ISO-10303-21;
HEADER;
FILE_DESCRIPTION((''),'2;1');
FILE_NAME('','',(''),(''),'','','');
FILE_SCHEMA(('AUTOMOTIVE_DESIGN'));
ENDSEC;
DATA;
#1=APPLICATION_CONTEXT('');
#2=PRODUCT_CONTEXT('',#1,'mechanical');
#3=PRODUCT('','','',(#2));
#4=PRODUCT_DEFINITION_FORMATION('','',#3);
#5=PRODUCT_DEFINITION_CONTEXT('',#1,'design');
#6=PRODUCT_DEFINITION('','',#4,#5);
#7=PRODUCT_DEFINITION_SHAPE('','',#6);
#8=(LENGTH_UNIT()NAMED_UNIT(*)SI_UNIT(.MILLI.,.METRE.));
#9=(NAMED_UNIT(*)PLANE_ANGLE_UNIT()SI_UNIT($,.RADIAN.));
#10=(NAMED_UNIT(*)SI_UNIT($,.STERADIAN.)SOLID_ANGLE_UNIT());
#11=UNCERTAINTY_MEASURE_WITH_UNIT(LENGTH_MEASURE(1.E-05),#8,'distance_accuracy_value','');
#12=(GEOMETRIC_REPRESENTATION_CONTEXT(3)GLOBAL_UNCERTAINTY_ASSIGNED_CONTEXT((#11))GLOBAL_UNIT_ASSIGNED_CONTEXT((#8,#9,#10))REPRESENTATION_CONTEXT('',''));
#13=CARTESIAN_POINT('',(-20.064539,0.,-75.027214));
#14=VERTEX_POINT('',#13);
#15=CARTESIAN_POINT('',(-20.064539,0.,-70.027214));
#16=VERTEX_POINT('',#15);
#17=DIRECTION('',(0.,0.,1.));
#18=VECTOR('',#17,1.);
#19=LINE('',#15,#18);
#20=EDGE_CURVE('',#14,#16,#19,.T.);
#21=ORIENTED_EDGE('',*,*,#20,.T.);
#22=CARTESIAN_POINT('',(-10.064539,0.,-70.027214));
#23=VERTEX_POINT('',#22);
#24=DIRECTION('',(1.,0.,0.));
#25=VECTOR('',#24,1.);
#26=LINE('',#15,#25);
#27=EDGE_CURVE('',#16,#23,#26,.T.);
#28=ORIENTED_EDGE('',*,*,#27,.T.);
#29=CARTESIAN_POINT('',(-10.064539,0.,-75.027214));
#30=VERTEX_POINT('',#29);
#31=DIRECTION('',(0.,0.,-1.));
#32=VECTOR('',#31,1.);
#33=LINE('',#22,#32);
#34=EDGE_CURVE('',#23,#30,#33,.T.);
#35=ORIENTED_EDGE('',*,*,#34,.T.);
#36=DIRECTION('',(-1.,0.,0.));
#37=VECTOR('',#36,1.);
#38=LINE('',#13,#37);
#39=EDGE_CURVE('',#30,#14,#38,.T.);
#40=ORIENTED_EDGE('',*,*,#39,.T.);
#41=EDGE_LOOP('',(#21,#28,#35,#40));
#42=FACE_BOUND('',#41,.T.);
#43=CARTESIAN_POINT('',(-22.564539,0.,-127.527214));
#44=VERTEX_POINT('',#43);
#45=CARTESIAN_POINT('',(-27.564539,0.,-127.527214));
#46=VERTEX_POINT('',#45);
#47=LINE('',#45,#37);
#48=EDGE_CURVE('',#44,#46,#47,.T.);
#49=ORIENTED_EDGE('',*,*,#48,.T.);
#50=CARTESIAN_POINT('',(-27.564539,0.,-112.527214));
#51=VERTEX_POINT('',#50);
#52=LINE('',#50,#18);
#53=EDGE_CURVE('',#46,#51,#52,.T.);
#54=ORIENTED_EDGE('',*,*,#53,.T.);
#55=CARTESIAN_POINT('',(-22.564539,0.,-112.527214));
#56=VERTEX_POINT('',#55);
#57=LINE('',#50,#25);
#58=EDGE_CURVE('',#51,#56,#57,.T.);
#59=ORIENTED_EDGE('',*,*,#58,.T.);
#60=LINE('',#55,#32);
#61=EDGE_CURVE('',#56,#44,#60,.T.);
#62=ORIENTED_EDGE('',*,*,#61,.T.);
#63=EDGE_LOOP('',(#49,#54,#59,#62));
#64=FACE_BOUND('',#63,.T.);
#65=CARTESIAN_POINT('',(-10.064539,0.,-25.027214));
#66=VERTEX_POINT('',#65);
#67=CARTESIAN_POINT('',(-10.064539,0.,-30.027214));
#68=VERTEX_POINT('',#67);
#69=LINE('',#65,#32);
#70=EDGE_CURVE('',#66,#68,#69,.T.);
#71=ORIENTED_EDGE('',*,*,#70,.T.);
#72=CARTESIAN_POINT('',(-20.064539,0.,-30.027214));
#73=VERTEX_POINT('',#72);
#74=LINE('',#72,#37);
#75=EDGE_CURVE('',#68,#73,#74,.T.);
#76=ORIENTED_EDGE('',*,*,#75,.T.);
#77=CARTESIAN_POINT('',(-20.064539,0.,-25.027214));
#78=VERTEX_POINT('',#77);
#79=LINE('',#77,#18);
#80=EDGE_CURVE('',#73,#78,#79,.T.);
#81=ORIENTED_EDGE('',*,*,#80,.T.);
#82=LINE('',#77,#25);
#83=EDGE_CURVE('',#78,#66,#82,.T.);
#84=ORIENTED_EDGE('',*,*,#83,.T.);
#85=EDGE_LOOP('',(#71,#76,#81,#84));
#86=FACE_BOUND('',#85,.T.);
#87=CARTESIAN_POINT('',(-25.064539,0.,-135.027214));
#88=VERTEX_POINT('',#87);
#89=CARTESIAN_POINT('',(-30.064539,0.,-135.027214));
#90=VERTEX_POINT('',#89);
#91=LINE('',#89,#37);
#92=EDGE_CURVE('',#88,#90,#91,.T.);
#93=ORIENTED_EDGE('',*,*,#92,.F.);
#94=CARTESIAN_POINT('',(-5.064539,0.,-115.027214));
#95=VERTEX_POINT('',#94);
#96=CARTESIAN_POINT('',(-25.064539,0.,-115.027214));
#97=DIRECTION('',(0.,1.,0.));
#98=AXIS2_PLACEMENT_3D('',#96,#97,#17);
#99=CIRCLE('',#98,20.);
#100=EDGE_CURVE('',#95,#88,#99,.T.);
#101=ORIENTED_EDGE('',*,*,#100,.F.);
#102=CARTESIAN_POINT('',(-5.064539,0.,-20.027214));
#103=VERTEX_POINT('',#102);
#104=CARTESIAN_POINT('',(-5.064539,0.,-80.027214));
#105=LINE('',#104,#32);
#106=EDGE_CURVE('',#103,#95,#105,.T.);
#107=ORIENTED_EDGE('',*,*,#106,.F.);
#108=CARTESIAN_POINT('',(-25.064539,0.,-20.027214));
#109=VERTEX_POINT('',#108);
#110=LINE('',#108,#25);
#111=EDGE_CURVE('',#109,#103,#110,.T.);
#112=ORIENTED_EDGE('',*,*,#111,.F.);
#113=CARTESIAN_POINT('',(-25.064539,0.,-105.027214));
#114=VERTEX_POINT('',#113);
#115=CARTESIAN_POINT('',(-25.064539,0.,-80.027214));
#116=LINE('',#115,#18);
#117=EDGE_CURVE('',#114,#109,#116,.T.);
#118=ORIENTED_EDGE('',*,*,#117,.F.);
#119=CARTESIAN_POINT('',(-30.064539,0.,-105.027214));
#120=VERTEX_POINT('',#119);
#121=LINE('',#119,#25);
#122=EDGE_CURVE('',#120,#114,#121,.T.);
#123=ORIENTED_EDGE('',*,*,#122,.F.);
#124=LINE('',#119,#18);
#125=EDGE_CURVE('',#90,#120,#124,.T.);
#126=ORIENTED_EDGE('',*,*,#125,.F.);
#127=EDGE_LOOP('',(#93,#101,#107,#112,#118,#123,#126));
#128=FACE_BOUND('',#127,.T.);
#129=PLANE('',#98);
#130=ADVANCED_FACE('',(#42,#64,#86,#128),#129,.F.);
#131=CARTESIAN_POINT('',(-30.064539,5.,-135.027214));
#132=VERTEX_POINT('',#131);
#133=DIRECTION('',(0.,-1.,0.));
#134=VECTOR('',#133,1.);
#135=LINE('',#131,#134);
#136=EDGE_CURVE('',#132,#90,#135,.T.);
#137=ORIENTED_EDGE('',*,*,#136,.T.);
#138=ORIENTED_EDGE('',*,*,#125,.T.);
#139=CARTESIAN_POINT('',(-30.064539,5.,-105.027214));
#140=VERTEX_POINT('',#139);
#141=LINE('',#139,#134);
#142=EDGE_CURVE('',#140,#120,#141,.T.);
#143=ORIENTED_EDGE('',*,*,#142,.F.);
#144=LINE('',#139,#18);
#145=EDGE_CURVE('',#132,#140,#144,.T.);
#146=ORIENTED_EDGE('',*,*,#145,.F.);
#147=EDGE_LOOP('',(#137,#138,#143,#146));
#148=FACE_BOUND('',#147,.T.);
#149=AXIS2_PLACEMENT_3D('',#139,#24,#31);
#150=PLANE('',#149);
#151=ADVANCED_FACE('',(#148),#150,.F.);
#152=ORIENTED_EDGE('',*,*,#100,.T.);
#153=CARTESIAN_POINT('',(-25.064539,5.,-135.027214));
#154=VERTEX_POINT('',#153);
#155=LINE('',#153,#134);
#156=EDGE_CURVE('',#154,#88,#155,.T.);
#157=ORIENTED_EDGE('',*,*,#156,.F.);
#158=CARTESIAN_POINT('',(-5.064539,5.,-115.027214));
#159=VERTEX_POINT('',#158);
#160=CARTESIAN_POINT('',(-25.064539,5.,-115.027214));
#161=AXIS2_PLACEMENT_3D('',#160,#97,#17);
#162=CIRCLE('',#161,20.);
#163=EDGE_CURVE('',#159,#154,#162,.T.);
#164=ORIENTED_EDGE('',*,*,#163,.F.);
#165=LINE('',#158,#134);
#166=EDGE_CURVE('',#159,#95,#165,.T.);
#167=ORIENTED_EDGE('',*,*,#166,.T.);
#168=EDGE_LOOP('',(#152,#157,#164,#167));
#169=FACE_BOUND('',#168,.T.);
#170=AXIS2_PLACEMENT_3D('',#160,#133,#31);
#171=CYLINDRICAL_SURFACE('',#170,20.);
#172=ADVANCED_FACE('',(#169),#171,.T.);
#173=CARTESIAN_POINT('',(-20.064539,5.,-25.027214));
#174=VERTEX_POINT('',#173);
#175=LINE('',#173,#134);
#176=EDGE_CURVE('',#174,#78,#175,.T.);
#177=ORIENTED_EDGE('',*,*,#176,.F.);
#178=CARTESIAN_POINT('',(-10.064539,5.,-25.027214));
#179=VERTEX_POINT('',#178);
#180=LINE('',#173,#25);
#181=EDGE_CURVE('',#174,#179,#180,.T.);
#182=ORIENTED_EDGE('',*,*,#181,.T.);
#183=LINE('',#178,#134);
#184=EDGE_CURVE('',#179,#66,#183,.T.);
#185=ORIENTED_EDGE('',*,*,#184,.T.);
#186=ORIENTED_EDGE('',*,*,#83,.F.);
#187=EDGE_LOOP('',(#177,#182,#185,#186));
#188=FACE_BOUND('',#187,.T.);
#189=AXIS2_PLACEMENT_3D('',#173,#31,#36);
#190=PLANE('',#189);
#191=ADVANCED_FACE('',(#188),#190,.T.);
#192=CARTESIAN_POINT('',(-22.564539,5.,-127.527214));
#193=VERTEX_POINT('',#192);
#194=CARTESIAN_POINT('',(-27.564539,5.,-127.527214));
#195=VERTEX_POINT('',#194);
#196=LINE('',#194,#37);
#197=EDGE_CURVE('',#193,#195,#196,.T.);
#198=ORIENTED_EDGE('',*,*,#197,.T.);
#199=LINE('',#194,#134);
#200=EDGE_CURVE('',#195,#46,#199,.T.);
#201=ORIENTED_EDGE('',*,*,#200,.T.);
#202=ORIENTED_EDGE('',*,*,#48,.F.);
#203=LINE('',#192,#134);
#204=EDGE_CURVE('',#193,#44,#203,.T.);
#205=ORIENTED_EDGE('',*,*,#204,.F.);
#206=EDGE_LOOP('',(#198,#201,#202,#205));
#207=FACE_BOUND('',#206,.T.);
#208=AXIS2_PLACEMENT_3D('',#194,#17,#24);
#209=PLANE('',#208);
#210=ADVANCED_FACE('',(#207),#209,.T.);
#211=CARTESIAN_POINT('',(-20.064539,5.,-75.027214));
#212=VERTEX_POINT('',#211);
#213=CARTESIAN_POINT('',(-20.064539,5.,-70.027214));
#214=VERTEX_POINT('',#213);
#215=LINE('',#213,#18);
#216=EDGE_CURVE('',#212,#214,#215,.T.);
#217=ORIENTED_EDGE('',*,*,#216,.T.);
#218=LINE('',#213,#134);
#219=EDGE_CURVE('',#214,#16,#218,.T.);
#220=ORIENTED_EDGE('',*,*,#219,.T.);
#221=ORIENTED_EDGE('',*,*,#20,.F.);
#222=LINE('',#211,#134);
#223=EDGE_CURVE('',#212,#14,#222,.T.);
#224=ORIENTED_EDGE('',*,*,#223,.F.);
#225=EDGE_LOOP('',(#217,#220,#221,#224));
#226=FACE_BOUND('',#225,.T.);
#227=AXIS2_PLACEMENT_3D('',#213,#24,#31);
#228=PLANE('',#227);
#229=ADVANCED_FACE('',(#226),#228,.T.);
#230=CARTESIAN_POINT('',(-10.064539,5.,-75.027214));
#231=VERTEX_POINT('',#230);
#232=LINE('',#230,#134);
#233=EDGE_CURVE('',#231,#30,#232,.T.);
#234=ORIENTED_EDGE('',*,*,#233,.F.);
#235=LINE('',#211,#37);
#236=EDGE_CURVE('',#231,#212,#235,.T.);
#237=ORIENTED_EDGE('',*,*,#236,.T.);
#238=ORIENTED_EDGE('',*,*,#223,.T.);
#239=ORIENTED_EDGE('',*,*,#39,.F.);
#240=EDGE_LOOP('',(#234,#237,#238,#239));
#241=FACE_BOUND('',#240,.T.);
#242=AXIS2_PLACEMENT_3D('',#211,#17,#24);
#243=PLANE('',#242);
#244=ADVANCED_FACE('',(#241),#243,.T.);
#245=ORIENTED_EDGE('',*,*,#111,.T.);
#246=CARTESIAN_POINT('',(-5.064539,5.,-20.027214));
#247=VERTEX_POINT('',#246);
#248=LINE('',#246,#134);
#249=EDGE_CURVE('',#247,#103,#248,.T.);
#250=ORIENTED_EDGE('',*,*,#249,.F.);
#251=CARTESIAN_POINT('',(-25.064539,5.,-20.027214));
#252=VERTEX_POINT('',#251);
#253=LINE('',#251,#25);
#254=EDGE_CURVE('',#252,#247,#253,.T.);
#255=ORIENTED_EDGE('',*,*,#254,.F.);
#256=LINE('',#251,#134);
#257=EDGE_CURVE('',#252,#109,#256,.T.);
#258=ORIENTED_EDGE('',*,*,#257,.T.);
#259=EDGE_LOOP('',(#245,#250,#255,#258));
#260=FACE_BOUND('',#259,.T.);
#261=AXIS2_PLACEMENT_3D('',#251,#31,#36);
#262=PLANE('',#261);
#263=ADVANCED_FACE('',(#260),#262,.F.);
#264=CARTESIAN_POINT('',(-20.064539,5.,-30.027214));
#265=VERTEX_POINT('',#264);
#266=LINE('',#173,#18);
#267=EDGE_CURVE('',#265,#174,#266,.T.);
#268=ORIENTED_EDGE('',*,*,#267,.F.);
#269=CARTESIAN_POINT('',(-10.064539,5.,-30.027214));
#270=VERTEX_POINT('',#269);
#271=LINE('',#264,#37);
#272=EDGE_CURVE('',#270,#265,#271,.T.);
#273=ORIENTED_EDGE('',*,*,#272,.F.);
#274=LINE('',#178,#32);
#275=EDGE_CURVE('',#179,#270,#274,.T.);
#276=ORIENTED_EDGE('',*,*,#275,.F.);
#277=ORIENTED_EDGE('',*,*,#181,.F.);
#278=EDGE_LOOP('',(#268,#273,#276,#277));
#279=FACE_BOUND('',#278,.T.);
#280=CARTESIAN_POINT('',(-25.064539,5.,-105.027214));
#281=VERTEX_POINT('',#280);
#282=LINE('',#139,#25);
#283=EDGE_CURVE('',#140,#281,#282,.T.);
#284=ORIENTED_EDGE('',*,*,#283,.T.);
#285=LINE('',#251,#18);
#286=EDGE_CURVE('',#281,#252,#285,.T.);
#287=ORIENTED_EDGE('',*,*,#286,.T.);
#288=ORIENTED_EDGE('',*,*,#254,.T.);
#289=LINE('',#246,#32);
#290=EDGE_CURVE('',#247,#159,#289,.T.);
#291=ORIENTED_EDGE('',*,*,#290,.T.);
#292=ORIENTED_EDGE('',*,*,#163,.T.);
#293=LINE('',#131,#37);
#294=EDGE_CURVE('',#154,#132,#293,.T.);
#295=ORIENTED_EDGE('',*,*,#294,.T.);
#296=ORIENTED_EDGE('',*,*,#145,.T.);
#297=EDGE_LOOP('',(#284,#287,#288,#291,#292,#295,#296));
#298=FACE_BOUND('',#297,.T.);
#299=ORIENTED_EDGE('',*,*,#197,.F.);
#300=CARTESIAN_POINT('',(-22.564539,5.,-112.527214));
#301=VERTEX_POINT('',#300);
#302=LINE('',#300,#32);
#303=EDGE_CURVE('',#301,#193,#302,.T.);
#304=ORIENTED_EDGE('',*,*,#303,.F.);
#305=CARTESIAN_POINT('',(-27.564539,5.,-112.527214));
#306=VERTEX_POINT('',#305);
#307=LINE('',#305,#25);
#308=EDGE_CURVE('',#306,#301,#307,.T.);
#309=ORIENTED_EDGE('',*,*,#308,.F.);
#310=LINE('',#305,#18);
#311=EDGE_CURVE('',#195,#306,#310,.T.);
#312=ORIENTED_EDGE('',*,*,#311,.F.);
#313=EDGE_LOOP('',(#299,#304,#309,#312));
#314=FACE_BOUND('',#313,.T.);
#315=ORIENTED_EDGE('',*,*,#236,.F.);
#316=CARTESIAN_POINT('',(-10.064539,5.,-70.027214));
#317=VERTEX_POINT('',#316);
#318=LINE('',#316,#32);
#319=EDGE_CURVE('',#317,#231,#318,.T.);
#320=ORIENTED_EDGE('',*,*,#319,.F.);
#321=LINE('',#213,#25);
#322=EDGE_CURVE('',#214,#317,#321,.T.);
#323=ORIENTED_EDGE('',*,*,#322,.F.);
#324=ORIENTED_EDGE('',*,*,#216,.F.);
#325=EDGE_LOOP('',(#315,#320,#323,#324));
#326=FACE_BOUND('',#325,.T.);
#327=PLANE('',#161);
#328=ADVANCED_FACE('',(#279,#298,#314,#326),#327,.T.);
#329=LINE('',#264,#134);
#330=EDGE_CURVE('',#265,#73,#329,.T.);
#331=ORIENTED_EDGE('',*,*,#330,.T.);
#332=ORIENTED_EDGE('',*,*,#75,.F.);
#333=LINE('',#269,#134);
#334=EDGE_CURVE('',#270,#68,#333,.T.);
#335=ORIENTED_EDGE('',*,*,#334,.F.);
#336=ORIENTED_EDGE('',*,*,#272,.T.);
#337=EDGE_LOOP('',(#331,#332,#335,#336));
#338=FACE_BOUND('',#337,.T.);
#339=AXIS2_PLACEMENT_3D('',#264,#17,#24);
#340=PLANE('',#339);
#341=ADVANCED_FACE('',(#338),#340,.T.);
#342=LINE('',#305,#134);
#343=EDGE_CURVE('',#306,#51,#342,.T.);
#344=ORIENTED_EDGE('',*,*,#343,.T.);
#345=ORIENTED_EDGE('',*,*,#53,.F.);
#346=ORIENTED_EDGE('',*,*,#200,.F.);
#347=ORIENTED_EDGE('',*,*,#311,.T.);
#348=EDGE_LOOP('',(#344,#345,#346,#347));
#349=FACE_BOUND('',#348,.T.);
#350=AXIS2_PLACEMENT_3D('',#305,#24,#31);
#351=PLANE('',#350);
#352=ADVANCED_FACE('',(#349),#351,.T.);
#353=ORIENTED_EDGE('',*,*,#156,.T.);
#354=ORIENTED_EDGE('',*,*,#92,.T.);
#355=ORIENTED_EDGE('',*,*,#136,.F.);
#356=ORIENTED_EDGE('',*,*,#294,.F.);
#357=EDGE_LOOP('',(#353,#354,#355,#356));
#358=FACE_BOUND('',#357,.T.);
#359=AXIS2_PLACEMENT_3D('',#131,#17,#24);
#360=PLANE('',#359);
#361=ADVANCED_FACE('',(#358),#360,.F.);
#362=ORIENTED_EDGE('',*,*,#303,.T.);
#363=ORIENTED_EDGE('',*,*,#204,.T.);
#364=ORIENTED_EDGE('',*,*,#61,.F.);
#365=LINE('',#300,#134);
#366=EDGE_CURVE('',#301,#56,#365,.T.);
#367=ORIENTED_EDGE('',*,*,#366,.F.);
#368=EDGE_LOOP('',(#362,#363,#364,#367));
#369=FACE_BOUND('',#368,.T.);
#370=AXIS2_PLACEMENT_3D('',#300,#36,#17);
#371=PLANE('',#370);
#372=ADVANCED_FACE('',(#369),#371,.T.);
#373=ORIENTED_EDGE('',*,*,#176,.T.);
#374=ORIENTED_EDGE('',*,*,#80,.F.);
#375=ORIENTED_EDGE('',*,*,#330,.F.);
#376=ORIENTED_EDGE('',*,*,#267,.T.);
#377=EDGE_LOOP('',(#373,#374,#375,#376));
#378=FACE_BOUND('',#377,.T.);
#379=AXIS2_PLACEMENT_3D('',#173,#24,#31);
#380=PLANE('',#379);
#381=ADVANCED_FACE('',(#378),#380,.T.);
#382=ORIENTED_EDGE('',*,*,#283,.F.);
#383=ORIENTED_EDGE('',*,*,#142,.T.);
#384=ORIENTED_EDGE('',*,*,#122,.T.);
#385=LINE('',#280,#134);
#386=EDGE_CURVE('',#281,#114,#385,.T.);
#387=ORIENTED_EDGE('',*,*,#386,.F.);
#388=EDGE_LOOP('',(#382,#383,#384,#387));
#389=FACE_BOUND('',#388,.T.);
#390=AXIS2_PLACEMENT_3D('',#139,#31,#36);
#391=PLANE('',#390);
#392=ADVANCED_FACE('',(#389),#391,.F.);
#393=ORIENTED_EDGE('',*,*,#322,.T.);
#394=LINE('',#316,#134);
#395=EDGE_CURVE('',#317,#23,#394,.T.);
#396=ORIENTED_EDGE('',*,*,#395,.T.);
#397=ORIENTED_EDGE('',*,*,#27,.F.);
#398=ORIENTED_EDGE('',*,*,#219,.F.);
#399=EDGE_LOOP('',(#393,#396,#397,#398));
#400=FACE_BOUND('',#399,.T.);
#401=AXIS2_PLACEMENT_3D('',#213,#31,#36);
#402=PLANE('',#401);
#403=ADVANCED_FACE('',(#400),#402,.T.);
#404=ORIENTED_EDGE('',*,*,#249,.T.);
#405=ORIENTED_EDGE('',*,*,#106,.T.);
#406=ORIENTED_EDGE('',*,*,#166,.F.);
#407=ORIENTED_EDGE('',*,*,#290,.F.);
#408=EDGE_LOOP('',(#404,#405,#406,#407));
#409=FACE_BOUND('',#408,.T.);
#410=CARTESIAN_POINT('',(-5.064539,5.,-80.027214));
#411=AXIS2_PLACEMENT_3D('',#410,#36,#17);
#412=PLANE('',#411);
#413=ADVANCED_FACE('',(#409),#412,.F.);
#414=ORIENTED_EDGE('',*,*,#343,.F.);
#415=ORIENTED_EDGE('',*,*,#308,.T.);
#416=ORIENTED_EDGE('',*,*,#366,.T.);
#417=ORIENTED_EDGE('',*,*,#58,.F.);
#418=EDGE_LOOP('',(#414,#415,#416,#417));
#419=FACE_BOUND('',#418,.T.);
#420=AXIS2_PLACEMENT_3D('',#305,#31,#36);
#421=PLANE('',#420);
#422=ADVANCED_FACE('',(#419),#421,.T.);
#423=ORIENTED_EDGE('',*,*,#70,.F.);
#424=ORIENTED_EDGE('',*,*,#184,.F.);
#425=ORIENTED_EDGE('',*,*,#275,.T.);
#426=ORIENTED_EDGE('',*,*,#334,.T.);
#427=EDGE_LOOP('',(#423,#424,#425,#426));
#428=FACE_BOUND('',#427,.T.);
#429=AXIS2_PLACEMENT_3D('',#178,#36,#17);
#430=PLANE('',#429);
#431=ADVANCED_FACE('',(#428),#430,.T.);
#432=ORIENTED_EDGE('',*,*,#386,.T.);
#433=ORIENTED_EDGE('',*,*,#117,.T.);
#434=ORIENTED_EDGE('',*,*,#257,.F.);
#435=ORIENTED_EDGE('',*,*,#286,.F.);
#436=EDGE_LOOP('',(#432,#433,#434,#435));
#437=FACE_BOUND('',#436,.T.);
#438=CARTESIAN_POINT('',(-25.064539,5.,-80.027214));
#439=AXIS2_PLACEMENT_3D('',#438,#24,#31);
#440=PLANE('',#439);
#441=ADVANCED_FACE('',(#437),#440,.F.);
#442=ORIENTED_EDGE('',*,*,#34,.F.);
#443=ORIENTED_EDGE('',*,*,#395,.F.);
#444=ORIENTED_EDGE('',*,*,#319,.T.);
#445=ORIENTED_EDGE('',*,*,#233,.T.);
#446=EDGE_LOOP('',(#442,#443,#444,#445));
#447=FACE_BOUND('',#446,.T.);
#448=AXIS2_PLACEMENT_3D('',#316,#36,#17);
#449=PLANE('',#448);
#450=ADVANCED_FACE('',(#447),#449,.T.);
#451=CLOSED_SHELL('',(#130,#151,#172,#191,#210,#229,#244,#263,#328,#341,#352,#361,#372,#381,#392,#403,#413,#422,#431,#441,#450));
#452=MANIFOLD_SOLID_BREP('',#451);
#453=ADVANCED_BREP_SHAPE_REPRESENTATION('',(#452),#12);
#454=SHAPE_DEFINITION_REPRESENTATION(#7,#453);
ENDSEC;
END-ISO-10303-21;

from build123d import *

# Parameters (mm, degrees)
SKETCH1_W           = 10
SKETCH1_H           = 5
SKETCH1_W_2         = 5
SKETCH1_H_2         = 15
BOSS_EXTRUDE1_DEPTH = 5


with BuildPart() as part:
    # Sketch1 → Boss-Extrude1 (new body)
    with BuildSketch(Plane(origin=(0, 0, 0), x_dir=(1, 0, 0), z_dir=(0, 1, 0))):
        with BuildLine():
            Line((-25.064538889, 20.027213551), (-5.064538889, 20.027213551))
            Line((-5.064538889, 20.027213551), (-5.064538889, 80.027213551))
            Line((-5.064538889, 80.027213551), (-5.064538889, 115.027213551))
            ThreePointArc((-5.064538889, 115.027213551), (-10.922403265, 129.169349175), (-25.064538889, 135.027213551))
            Line((-25.064538889, 135.027213551), (-30.064538889, 135.027213551))
            Line((-30.064538889, 135.027213551), (-30.064538889, 105.027213551))
            Line((-30.064538889, 105.027213551), (-25.064538889, 105.027213551))
            Line((-25.064538889, 105.027213551), (-25.064538889, 80.027213551))
            Line((-25.064538889, 80.027213551), (-25.064538889, 20.027213551))
        make_face()
        with Locations((-15.064538889, 27.527213551)):
            Rectangle(SKETCH1_W, SKETCH1_H, mode=Mode.SUBTRACT)
        with Locations((-15.064538889, 72.527213551)):
            Rectangle(SKETCH1_W, SKETCH1_H, mode=Mode.SUBTRACT)
        with Locations((-25.064538889, 120.027213551)):
            Rectangle(SKETCH1_W_2, SKETCH1_H_2, mode=Mode.SUBTRACT)
    extrude(amount=BOSS_EXTRUDE1_DEPTH)


solid = part.part
